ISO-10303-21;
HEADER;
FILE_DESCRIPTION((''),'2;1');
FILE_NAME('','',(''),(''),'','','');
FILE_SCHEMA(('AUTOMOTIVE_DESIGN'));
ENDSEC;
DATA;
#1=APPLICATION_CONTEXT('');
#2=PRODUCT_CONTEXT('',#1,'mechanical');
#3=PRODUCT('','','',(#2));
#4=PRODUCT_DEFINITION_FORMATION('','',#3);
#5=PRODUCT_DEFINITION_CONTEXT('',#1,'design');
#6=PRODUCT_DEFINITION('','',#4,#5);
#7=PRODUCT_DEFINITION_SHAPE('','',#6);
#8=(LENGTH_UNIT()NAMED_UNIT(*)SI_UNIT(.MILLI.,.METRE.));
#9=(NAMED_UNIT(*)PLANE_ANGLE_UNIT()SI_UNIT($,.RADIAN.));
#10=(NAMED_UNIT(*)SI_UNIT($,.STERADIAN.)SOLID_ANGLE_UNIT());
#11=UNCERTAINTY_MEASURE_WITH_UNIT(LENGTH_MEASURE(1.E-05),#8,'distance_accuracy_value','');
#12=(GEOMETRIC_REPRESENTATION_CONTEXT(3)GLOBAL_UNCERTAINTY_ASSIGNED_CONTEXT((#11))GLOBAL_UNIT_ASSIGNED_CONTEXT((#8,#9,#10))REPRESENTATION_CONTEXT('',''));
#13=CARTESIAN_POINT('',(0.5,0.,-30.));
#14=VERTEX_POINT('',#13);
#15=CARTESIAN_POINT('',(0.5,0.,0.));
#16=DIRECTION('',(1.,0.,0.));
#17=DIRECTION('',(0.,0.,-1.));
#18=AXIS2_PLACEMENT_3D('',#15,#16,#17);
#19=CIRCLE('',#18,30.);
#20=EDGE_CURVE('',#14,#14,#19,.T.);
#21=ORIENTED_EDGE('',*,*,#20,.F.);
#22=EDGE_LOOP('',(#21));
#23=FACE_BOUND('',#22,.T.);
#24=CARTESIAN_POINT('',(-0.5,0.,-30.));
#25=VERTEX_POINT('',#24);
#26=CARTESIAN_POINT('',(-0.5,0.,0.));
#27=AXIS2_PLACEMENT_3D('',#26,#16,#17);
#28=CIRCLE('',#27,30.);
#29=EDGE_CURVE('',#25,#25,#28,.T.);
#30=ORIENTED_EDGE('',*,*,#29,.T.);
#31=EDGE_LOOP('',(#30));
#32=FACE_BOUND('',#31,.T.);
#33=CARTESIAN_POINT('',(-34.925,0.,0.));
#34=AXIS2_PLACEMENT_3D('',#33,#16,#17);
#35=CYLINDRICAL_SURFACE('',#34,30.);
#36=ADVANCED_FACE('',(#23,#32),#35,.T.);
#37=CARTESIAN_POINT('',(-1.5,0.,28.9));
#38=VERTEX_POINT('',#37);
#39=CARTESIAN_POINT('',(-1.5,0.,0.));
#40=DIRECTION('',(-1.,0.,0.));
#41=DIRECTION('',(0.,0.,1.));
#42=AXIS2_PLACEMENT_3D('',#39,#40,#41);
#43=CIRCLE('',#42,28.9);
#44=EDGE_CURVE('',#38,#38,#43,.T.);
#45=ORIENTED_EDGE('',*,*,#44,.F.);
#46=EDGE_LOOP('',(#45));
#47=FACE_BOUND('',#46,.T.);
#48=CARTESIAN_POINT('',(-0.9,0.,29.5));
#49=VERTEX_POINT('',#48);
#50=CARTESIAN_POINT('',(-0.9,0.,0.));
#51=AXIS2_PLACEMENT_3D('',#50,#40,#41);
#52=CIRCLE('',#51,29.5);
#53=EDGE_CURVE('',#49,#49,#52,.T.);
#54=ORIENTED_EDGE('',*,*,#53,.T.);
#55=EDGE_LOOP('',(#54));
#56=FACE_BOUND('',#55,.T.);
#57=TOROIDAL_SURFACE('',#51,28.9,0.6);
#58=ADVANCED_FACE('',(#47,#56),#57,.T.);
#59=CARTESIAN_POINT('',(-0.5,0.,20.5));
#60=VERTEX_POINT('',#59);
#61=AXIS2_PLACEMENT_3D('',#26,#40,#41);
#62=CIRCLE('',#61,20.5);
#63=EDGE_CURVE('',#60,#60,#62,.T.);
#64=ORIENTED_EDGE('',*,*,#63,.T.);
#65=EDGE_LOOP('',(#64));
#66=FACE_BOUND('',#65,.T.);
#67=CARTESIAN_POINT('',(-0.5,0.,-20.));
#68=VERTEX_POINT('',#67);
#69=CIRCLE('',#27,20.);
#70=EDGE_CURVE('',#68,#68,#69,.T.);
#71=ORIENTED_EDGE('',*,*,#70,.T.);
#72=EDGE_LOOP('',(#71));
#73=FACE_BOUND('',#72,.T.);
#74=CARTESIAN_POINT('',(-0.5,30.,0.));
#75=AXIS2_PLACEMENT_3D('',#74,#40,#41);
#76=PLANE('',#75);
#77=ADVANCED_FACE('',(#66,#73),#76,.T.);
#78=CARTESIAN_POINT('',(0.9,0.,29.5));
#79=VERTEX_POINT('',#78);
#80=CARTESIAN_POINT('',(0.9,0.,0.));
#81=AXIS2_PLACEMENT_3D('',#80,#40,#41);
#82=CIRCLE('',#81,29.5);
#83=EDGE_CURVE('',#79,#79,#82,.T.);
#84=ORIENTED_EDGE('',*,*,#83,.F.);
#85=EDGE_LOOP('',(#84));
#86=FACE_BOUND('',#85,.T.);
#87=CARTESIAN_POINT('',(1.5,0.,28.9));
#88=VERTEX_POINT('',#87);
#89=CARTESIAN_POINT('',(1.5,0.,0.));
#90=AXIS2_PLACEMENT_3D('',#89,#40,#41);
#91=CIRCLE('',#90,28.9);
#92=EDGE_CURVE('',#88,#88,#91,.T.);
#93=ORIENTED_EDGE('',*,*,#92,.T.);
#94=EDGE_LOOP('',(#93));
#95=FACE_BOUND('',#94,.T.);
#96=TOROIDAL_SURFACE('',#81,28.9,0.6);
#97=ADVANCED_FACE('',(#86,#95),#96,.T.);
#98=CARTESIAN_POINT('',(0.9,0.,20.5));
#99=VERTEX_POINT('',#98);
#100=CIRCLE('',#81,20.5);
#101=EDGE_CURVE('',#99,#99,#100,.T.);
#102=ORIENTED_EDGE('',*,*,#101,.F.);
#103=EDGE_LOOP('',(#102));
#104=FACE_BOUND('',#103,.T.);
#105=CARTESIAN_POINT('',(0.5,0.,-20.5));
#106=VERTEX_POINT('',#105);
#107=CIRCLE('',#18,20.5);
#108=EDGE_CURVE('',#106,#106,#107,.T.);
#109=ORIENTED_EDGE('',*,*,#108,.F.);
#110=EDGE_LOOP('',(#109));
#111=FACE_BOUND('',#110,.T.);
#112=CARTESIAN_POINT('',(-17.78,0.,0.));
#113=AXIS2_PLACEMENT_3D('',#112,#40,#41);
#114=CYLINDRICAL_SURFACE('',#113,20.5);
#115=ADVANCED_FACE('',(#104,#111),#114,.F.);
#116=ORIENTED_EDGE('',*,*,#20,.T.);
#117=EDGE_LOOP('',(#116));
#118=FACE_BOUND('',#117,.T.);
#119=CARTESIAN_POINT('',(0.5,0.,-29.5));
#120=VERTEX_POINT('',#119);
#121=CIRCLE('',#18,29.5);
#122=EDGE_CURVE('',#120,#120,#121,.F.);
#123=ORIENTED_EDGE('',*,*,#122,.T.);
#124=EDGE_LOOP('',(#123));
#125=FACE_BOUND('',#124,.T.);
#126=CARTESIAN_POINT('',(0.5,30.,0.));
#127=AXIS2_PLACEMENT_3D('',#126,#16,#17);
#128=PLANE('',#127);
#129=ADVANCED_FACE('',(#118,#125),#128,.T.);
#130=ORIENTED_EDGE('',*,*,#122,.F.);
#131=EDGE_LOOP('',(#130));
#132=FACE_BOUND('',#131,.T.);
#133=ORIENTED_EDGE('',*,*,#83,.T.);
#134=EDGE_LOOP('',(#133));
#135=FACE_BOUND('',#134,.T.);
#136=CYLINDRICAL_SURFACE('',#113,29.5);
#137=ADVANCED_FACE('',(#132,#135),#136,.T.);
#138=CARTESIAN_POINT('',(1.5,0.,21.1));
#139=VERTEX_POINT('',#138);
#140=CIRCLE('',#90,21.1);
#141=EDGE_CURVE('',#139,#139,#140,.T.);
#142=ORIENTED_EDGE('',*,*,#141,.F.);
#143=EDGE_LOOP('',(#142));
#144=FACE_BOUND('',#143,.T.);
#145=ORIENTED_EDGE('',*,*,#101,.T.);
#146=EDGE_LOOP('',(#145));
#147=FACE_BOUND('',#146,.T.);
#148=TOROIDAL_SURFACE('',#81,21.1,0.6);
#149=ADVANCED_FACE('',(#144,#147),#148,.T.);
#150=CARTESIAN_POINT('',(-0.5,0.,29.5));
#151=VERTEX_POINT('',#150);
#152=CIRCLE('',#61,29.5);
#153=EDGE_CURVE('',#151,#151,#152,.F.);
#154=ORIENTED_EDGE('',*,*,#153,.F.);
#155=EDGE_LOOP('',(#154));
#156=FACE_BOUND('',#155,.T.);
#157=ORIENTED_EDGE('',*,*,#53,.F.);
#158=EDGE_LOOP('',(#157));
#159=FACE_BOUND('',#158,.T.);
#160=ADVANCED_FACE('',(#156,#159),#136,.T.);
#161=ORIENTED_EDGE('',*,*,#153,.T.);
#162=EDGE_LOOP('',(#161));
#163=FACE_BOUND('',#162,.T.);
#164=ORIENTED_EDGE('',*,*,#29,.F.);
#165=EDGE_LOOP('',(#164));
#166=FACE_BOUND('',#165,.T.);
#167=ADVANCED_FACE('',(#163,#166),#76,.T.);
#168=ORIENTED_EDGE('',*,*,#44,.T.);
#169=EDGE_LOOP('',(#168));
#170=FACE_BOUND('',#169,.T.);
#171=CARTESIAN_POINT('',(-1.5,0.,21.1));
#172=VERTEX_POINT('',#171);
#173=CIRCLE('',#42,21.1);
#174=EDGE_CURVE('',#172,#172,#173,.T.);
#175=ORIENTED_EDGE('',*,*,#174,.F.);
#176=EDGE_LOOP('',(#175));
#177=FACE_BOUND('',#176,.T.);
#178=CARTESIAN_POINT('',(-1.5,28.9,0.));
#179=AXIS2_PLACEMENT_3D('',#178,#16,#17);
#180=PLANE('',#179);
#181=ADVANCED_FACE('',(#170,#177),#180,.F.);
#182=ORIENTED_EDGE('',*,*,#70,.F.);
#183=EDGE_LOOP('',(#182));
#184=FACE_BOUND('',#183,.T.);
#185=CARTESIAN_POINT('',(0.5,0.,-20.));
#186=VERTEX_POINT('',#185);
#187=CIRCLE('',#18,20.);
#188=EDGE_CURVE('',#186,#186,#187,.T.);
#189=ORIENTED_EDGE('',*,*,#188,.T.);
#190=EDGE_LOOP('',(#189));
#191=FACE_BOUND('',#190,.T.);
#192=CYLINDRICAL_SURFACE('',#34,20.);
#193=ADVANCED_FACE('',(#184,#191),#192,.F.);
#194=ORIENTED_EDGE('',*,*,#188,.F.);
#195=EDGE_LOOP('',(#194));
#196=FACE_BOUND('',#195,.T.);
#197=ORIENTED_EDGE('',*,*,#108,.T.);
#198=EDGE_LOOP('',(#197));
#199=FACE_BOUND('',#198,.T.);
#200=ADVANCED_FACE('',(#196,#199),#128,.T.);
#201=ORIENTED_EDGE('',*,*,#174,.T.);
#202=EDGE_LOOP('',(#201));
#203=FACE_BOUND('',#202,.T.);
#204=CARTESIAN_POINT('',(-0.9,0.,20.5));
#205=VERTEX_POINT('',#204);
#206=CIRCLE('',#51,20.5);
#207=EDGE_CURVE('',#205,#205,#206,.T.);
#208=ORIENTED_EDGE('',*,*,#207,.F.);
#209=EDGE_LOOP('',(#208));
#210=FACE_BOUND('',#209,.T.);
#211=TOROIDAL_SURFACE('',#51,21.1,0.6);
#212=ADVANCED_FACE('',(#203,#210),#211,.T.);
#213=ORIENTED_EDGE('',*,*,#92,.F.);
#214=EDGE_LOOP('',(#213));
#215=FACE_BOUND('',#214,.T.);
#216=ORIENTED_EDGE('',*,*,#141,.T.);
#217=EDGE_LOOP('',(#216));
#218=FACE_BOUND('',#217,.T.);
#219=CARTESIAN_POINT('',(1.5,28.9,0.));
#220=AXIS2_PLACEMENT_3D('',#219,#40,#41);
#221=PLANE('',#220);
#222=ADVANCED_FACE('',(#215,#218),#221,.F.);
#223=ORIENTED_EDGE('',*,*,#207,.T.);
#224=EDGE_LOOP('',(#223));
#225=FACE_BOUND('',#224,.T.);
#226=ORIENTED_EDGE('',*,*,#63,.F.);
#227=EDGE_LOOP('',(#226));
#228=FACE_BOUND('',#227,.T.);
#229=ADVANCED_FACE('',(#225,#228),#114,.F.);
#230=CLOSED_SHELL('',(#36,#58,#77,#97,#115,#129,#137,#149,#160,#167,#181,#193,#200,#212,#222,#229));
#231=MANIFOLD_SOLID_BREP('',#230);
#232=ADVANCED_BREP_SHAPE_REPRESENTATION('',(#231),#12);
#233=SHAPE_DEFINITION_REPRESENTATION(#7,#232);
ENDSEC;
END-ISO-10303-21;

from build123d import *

# Parameters (mm, degrees)
CAGSPISKE_W = 1
CAGSPISKE_H = 10


with BuildPart() as part:
    # CagSpiSke → CageSpine (revolve)
    with BuildSketch(Plane.XY):
        with Locations((0, 25)):
            Rectangle(CAGSPISKE_W, CAGSPISKE_H)
    revolve(axis=Axis((-34.925, 0, 0), (1, 0, 0)))

    # RolSimSke → RollersSimplified (revolve)
    with BuildSketch(Plane.XY):
        with BuildLine():
            Line((-0.9, 29.5), (0.9, 29.5))
            ThreePointArc((0.9, 29.5), (1.324264069, 29.324264069), (1.5, 28.9))
            Line((1.5, 28.9), (1.5, 21.1))
            ThreePointArc((1.5, 21.1), (1.324264069, 20.675735931), (0.9, 20.5))
            Line((0.9, 20.5), (-0.9, 20.5))
            ThreePointArc((-0.9, 20.5), (-1.324264069, 20.675735931), (-1.5, 21.1))
            Line((-1.5, 21.1), (-1.5, 28.9))
            ThreePointArc((-1.5, 28.9), (-1.324264069, 29.324264069), (-0.9, 29.5))
        make_face()
    revolve(axis=Axis((-17.78, 0, 0), (1, 0, 0)))


solid = part.part
